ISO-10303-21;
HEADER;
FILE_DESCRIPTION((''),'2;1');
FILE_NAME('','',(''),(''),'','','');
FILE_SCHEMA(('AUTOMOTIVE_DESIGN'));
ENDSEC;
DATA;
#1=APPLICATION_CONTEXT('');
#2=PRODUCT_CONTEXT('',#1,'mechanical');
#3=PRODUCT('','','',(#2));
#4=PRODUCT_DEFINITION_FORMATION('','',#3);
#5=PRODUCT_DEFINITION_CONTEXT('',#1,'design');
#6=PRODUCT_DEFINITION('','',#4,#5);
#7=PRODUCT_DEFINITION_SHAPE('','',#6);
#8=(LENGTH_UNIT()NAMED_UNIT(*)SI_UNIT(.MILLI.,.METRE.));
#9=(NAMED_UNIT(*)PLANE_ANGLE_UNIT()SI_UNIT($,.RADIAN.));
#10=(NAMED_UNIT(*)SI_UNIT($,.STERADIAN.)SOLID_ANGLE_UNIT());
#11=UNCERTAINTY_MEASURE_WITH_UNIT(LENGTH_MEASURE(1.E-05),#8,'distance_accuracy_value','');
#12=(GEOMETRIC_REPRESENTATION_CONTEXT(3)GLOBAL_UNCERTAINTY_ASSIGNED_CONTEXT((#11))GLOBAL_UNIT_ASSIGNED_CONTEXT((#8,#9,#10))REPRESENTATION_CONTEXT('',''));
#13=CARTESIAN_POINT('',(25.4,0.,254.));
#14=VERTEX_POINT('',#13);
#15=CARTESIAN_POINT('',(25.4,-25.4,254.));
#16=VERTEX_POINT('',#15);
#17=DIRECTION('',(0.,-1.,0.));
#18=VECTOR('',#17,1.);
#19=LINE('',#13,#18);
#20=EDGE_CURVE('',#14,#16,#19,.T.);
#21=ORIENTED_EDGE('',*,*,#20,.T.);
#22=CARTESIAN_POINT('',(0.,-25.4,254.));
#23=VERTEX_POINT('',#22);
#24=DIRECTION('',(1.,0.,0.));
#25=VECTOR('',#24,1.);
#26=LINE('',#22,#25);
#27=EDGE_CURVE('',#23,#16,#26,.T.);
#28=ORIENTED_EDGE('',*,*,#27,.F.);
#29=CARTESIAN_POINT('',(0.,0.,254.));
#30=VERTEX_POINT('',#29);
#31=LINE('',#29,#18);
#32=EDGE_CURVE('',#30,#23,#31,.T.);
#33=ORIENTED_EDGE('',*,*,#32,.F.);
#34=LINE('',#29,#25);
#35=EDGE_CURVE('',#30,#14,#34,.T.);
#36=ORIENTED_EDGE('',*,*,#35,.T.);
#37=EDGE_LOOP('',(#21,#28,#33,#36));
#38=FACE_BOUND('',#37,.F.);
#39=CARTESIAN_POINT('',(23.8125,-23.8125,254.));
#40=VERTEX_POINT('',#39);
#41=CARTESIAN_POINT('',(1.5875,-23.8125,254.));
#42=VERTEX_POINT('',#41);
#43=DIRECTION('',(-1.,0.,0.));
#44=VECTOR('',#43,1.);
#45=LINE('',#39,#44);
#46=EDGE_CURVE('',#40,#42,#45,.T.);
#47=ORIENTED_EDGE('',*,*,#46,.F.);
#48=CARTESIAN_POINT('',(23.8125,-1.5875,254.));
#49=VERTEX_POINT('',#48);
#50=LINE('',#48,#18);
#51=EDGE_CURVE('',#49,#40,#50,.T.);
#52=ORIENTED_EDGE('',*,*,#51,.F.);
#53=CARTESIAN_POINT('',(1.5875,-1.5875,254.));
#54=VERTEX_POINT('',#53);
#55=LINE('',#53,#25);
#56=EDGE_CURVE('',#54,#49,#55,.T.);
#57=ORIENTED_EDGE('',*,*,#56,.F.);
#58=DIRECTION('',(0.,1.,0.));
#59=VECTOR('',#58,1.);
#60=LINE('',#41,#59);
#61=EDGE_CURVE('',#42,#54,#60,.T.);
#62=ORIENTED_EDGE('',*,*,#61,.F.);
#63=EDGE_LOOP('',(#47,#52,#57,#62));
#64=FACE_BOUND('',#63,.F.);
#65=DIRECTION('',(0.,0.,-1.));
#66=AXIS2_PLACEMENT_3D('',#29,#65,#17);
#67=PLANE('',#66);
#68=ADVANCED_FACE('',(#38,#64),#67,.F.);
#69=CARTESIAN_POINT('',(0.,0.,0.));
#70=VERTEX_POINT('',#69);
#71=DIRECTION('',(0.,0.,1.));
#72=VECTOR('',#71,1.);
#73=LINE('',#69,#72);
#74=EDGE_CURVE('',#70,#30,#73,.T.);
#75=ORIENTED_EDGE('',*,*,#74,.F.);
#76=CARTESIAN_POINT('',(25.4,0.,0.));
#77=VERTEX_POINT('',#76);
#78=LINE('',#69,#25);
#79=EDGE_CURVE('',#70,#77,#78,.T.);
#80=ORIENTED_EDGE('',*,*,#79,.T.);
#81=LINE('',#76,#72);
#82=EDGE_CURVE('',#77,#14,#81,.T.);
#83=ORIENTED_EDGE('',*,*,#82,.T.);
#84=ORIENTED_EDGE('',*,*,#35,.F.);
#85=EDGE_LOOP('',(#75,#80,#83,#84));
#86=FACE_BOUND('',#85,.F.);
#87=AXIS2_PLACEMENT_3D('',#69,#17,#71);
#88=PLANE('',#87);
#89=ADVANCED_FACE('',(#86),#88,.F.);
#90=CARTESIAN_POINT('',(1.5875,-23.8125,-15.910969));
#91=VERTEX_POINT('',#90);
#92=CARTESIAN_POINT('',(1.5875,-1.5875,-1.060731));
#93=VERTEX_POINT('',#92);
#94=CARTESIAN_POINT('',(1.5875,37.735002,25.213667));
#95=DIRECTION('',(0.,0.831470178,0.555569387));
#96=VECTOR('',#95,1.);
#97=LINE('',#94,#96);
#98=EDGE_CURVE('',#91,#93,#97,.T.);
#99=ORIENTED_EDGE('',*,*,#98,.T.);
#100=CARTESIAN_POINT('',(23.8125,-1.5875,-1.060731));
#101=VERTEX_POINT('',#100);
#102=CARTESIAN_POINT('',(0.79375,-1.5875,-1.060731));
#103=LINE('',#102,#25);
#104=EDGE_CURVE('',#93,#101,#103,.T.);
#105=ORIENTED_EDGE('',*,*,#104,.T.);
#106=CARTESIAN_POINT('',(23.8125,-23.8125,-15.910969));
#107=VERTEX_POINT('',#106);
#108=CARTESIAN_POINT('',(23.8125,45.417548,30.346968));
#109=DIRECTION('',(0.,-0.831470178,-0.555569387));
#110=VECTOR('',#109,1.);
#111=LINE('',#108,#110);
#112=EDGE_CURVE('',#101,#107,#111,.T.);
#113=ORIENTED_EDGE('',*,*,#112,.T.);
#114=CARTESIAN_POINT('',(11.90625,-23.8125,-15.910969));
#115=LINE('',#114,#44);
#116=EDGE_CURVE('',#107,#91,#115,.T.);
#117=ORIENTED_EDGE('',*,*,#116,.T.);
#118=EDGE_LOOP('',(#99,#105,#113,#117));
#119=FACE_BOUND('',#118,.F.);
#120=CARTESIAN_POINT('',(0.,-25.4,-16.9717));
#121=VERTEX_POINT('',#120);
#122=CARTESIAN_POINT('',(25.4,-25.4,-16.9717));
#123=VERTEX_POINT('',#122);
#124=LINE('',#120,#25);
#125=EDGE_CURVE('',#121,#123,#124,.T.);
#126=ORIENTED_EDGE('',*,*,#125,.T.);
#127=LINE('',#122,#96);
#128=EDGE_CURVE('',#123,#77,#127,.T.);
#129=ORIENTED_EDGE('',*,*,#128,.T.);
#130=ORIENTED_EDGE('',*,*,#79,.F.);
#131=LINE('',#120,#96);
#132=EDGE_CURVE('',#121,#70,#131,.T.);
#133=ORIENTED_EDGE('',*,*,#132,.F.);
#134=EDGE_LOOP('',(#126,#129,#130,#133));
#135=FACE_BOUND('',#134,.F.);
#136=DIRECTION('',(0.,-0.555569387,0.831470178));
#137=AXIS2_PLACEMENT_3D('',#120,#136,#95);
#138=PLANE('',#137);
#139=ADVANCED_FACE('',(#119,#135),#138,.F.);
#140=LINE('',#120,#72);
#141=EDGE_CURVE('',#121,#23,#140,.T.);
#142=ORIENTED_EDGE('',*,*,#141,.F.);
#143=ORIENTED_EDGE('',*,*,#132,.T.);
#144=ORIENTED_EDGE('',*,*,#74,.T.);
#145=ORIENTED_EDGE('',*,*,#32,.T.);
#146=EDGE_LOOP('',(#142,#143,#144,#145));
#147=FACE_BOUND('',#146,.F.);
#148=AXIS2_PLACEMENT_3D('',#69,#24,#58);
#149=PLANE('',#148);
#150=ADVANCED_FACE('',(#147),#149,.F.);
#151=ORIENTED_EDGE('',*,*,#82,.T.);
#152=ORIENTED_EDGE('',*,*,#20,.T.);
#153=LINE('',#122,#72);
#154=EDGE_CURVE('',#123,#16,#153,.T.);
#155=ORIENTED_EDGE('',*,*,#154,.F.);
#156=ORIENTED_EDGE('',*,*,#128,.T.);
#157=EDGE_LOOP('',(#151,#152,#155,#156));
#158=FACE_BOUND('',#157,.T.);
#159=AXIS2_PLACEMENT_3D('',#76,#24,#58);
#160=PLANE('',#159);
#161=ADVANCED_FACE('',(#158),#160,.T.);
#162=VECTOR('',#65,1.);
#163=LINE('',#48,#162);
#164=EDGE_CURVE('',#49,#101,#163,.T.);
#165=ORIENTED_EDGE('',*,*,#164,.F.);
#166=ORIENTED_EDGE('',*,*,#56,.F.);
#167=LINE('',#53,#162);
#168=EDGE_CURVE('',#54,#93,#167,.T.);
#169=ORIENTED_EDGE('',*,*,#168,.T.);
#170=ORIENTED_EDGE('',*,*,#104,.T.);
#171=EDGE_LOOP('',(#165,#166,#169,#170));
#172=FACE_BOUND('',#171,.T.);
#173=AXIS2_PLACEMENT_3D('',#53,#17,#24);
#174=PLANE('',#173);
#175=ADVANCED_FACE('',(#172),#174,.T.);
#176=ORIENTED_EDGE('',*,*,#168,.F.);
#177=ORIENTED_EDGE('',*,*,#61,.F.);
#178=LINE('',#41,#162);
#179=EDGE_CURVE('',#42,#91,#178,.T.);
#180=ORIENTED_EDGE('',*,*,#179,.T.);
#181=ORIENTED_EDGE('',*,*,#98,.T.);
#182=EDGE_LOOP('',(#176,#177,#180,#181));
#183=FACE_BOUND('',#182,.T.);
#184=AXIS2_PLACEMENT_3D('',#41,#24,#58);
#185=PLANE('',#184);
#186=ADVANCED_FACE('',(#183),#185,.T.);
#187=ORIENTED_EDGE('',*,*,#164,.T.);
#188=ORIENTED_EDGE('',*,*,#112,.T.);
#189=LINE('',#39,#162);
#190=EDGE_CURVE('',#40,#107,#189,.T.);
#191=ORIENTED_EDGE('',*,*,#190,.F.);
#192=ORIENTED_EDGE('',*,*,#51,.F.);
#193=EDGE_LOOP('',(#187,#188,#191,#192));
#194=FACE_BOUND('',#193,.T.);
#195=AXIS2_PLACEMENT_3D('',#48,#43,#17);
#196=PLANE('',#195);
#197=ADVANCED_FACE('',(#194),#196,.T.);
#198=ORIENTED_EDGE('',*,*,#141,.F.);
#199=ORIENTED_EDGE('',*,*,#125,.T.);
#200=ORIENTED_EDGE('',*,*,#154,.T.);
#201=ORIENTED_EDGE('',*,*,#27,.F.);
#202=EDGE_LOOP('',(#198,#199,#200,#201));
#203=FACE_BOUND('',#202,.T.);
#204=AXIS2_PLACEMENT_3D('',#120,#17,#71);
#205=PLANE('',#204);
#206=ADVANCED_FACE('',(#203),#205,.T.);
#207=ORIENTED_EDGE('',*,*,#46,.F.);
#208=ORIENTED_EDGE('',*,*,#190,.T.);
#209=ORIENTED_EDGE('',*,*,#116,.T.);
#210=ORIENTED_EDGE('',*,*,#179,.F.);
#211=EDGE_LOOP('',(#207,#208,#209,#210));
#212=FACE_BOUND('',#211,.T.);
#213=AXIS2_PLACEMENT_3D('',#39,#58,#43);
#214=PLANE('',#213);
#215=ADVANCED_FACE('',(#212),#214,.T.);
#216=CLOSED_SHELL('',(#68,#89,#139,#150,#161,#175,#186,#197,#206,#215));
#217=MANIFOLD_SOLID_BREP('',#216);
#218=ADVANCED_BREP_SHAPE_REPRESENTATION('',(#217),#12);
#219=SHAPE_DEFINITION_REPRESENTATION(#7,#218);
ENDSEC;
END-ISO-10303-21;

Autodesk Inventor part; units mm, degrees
ref_plane "YZ Plane" through (0, 0, 0) normal (1, 0, 0) x (0, 1, 0)
ref_plane "XZ Plane" through (0, 0, 0) normal (0, 1, 0) x (-1, 0, 0)
ref_plane "XY Plane" through (0, 0, 0) normal (0, 0, 1) x (1, 0, 0)
sketch "Sketch1" plane through (0, 0, 0) normal (1, 0, 0) x (0, 1, 0)
  line L0 (0, 0) -> (0, 254)
  line L1 (0, 0) -> (254, 0) construction
  line L2 (0, 0) -> (527.9972, -218.7036)
  line L3 (0, 0) -> (571.5, 0) construction
  line L4 (0, 254) -> (-25.4, 254)
  line L5 (0, 254) -> (25.4, 254) construction
  line L6 (527.9972, -218.7036) -> (518.277, -242.1701)
  line L7 (527.9972, -218.7036) -> (553.3972, -218.7036) construction
  line L8 (518.277, -242.1701) -> (-25.4, -16.9717)
  line L9 (-25.4, -16.9717) -> (-25.4, 254)
  line L10 (-25.4, -16.9717) -> (0, 0)
  dimension "d0" = 254
  dimension "d1" = 90
  dimension "d2" = 571.5
  dimension "d3" = 22.5
  dimension "d4" = 25.4
  dimension "d5" = 180
  dimension "d6" = 25.4
  dimension "d7" = 112.5
  dimension "d8" = 90
extrude "Extrusion1" add sketch "Sketch1" along normal blind 25.4 contours L10 L9 L4 L0
sketch "Sketch2" plane through (0, -25.4, 254) normal (0, 0, 1) x (1, 0, 0)
  line L0 (0, 25.4) -> (1.5875, 25.4)
  line L1 (1.5875, 25.4) -> (1.5875, 23.8125)
  line L2 (1.5875, 23.8125) -> (0, 23.8125)
  line L3 (0, 23.8125) -> (0, 25.4)
  line L4 (25.4, 0) -> (23.8125, 0)
  line L5 (23.8125, 0) -> (23.8125, 1.5875)
  line L6 (23.8125, 1.5875) -> (25.4, 1.5875)
  line L7 (25.4, 1.5875) -> (25.4, 0)
  line L8 (23.8125, 1.5875) -> (1.5875, 1.5875)
  line L9 (1.5875, 1.5875) -> (1.5875, 23.8125)
  line L10 (1.5875, 23.8125) -> (23.8125, 23.8125)
  line L11 (23.8125, 23.8125) -> (23.8125, 1.5875)
  dimension "d11" = 1.5875
  dimension "d12" = 1.5875
  dimension "d13" = 1.5875
  dimension "d14" = 1.5875
extrude "Extrusion2" cut sketch "Sketch2" against normal blind 508 contours L10 L11 L8 L9
properties part number "CatapultArmSquare-Bottom"
